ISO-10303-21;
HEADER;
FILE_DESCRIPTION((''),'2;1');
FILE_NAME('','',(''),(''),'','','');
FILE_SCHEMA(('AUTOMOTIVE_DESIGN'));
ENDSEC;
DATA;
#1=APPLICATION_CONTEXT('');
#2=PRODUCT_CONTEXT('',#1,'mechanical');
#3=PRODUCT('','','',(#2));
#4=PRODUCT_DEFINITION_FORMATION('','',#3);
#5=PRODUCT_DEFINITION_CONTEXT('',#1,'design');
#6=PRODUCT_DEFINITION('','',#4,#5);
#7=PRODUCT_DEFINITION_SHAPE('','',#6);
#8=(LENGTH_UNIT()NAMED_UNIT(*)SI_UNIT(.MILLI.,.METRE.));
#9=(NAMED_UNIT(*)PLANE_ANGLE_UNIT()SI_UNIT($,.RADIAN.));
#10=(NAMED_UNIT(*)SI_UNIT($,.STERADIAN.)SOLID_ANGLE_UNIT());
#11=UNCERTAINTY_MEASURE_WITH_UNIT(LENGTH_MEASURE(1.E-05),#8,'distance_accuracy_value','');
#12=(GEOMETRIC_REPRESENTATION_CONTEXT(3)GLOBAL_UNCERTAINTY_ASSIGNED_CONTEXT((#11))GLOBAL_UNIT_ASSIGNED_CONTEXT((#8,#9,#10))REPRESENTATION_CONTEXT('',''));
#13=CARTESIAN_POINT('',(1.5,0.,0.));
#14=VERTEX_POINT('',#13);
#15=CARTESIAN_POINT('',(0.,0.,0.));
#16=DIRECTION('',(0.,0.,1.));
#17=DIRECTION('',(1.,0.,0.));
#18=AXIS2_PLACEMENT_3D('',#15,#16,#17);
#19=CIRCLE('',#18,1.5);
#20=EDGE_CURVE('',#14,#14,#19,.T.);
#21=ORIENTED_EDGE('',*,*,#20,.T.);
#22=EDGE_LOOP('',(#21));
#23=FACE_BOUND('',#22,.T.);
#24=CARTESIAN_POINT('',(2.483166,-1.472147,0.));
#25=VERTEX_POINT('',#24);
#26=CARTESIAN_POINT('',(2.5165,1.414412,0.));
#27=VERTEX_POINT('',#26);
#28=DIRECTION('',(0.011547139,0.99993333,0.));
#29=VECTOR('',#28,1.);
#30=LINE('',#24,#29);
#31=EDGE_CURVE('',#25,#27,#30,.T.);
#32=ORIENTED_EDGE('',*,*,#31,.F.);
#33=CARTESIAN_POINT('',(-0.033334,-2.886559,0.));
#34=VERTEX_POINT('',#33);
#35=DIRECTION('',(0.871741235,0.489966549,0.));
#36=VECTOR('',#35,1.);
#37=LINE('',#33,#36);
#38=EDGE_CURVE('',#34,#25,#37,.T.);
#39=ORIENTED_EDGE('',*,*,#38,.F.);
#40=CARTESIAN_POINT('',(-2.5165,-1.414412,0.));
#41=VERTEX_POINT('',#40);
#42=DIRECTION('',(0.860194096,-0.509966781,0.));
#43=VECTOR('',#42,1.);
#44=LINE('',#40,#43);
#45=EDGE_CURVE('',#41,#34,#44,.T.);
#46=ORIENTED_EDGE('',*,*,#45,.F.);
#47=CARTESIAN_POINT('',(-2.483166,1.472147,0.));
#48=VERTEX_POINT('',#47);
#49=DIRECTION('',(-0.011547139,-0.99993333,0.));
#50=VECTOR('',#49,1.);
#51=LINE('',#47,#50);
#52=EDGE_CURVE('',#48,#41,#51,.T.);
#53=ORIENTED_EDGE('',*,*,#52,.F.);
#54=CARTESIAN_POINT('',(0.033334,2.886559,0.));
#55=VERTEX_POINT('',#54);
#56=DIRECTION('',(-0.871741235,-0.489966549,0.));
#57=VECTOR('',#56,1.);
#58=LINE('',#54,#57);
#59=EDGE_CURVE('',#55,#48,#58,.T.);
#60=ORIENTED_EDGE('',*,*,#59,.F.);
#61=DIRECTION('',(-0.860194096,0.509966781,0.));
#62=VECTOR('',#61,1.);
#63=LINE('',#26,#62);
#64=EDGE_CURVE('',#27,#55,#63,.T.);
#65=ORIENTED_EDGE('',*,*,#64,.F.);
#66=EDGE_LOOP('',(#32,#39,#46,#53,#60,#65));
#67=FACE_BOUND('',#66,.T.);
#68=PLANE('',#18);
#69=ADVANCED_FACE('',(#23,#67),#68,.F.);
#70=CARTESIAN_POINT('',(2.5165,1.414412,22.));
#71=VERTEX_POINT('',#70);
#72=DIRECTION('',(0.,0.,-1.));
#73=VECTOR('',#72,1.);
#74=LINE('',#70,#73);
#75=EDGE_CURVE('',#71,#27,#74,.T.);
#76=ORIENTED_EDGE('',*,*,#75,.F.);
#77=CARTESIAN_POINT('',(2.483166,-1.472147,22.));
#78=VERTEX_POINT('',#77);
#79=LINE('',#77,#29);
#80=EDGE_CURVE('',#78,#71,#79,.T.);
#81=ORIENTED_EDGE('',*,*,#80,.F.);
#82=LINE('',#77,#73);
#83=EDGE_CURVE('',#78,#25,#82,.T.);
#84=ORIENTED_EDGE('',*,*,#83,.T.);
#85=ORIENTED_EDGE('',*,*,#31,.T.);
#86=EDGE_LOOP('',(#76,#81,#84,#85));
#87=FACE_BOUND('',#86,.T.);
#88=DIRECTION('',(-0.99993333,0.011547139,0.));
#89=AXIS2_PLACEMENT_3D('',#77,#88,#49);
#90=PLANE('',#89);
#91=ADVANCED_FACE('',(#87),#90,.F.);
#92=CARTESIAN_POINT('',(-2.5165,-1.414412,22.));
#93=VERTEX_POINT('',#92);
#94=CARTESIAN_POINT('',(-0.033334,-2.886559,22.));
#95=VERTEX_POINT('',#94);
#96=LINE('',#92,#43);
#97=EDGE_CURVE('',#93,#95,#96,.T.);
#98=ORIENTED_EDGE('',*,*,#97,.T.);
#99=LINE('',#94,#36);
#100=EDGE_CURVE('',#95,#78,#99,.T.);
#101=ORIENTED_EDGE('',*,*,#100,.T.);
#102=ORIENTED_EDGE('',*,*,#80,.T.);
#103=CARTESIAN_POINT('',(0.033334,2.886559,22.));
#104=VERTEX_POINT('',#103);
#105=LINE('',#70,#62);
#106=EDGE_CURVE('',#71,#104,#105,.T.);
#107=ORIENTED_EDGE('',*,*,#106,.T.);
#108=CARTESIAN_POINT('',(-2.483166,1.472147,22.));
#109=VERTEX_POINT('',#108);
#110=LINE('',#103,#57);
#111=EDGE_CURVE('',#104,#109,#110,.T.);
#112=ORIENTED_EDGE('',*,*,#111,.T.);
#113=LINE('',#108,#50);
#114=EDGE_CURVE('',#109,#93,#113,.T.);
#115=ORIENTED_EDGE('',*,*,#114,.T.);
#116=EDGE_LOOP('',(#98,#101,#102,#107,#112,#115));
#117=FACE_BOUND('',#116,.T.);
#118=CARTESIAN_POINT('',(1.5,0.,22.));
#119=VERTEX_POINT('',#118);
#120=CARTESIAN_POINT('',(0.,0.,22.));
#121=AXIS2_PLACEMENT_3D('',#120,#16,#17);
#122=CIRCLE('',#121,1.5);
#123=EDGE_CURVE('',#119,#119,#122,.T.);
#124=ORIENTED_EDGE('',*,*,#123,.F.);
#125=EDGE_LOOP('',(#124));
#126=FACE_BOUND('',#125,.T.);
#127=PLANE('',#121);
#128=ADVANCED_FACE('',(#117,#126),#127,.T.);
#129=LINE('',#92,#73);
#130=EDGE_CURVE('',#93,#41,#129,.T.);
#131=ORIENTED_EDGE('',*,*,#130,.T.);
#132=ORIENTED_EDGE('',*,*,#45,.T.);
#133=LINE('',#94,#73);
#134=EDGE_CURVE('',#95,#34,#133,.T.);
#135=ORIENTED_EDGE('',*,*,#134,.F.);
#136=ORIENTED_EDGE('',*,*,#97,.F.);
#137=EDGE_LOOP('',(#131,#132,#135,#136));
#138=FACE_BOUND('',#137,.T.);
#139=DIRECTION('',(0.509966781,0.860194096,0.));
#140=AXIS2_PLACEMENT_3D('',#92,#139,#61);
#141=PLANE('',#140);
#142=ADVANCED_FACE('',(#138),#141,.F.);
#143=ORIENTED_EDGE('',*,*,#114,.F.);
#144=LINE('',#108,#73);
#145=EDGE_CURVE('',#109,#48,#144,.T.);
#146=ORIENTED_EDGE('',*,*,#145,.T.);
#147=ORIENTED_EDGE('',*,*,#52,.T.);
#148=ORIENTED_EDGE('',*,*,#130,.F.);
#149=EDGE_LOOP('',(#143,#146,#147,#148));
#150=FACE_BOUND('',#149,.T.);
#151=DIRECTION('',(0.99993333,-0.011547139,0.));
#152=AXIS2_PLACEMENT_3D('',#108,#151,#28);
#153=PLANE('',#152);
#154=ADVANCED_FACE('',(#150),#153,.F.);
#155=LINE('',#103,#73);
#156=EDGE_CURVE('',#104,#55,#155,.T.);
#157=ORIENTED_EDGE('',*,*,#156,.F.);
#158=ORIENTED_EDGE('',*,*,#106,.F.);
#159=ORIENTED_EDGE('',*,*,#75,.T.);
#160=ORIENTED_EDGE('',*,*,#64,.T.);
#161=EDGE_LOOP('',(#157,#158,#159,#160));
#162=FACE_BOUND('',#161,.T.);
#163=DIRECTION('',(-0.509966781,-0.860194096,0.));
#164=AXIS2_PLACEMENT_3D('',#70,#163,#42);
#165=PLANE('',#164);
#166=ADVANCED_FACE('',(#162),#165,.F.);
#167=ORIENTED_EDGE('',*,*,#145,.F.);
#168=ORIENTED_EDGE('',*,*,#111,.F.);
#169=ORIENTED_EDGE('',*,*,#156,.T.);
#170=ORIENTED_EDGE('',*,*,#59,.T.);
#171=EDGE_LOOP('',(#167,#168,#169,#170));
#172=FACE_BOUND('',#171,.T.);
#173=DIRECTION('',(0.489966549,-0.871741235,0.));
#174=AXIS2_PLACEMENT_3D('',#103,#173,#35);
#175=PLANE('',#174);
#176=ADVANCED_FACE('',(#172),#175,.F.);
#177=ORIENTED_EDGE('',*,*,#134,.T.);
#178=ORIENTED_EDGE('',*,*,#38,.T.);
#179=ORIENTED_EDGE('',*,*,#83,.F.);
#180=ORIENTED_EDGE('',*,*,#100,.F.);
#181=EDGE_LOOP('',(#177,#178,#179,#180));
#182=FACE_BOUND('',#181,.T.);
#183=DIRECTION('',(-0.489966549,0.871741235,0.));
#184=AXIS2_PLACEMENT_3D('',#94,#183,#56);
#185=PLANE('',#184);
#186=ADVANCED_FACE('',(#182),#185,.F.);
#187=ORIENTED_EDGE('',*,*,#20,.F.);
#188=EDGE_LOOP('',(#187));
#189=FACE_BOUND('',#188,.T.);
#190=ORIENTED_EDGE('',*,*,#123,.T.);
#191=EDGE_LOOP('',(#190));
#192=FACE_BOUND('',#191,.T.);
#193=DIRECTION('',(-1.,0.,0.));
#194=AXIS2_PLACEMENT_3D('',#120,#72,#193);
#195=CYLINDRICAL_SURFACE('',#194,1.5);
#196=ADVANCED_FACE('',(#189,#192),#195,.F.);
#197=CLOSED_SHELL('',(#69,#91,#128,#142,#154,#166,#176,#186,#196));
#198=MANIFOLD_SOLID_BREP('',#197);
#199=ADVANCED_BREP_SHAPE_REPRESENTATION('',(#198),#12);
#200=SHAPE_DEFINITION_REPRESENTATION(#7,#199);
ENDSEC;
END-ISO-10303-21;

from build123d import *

# Parameters (mm, degrees)
IZIM1_R                     = 1.5
Y_KSEKLIK_EKSTR_ZYON1_DEPTH = 22


with BuildPart() as part:
    # Çizim1 → Yükseklik-Ekstrüzyon1 (new body)
    with BuildSketch(Plane.XY):
        Polygon((-2.483166464, 1.472147291), (-2.516500184, -1.414411594), (-0.03333372, -2.886558885), (2.483166464, -1.472147291), (2.516500184, 1.414411594), (0.03333372, 2.886558885), align=None)
        Circle(IZIM1_R, mode=Mode.SUBTRACT)
    extrude(amount=Y_KSEKLIK_EKSTR_ZYON1_DEPTH)


solid = part.part
